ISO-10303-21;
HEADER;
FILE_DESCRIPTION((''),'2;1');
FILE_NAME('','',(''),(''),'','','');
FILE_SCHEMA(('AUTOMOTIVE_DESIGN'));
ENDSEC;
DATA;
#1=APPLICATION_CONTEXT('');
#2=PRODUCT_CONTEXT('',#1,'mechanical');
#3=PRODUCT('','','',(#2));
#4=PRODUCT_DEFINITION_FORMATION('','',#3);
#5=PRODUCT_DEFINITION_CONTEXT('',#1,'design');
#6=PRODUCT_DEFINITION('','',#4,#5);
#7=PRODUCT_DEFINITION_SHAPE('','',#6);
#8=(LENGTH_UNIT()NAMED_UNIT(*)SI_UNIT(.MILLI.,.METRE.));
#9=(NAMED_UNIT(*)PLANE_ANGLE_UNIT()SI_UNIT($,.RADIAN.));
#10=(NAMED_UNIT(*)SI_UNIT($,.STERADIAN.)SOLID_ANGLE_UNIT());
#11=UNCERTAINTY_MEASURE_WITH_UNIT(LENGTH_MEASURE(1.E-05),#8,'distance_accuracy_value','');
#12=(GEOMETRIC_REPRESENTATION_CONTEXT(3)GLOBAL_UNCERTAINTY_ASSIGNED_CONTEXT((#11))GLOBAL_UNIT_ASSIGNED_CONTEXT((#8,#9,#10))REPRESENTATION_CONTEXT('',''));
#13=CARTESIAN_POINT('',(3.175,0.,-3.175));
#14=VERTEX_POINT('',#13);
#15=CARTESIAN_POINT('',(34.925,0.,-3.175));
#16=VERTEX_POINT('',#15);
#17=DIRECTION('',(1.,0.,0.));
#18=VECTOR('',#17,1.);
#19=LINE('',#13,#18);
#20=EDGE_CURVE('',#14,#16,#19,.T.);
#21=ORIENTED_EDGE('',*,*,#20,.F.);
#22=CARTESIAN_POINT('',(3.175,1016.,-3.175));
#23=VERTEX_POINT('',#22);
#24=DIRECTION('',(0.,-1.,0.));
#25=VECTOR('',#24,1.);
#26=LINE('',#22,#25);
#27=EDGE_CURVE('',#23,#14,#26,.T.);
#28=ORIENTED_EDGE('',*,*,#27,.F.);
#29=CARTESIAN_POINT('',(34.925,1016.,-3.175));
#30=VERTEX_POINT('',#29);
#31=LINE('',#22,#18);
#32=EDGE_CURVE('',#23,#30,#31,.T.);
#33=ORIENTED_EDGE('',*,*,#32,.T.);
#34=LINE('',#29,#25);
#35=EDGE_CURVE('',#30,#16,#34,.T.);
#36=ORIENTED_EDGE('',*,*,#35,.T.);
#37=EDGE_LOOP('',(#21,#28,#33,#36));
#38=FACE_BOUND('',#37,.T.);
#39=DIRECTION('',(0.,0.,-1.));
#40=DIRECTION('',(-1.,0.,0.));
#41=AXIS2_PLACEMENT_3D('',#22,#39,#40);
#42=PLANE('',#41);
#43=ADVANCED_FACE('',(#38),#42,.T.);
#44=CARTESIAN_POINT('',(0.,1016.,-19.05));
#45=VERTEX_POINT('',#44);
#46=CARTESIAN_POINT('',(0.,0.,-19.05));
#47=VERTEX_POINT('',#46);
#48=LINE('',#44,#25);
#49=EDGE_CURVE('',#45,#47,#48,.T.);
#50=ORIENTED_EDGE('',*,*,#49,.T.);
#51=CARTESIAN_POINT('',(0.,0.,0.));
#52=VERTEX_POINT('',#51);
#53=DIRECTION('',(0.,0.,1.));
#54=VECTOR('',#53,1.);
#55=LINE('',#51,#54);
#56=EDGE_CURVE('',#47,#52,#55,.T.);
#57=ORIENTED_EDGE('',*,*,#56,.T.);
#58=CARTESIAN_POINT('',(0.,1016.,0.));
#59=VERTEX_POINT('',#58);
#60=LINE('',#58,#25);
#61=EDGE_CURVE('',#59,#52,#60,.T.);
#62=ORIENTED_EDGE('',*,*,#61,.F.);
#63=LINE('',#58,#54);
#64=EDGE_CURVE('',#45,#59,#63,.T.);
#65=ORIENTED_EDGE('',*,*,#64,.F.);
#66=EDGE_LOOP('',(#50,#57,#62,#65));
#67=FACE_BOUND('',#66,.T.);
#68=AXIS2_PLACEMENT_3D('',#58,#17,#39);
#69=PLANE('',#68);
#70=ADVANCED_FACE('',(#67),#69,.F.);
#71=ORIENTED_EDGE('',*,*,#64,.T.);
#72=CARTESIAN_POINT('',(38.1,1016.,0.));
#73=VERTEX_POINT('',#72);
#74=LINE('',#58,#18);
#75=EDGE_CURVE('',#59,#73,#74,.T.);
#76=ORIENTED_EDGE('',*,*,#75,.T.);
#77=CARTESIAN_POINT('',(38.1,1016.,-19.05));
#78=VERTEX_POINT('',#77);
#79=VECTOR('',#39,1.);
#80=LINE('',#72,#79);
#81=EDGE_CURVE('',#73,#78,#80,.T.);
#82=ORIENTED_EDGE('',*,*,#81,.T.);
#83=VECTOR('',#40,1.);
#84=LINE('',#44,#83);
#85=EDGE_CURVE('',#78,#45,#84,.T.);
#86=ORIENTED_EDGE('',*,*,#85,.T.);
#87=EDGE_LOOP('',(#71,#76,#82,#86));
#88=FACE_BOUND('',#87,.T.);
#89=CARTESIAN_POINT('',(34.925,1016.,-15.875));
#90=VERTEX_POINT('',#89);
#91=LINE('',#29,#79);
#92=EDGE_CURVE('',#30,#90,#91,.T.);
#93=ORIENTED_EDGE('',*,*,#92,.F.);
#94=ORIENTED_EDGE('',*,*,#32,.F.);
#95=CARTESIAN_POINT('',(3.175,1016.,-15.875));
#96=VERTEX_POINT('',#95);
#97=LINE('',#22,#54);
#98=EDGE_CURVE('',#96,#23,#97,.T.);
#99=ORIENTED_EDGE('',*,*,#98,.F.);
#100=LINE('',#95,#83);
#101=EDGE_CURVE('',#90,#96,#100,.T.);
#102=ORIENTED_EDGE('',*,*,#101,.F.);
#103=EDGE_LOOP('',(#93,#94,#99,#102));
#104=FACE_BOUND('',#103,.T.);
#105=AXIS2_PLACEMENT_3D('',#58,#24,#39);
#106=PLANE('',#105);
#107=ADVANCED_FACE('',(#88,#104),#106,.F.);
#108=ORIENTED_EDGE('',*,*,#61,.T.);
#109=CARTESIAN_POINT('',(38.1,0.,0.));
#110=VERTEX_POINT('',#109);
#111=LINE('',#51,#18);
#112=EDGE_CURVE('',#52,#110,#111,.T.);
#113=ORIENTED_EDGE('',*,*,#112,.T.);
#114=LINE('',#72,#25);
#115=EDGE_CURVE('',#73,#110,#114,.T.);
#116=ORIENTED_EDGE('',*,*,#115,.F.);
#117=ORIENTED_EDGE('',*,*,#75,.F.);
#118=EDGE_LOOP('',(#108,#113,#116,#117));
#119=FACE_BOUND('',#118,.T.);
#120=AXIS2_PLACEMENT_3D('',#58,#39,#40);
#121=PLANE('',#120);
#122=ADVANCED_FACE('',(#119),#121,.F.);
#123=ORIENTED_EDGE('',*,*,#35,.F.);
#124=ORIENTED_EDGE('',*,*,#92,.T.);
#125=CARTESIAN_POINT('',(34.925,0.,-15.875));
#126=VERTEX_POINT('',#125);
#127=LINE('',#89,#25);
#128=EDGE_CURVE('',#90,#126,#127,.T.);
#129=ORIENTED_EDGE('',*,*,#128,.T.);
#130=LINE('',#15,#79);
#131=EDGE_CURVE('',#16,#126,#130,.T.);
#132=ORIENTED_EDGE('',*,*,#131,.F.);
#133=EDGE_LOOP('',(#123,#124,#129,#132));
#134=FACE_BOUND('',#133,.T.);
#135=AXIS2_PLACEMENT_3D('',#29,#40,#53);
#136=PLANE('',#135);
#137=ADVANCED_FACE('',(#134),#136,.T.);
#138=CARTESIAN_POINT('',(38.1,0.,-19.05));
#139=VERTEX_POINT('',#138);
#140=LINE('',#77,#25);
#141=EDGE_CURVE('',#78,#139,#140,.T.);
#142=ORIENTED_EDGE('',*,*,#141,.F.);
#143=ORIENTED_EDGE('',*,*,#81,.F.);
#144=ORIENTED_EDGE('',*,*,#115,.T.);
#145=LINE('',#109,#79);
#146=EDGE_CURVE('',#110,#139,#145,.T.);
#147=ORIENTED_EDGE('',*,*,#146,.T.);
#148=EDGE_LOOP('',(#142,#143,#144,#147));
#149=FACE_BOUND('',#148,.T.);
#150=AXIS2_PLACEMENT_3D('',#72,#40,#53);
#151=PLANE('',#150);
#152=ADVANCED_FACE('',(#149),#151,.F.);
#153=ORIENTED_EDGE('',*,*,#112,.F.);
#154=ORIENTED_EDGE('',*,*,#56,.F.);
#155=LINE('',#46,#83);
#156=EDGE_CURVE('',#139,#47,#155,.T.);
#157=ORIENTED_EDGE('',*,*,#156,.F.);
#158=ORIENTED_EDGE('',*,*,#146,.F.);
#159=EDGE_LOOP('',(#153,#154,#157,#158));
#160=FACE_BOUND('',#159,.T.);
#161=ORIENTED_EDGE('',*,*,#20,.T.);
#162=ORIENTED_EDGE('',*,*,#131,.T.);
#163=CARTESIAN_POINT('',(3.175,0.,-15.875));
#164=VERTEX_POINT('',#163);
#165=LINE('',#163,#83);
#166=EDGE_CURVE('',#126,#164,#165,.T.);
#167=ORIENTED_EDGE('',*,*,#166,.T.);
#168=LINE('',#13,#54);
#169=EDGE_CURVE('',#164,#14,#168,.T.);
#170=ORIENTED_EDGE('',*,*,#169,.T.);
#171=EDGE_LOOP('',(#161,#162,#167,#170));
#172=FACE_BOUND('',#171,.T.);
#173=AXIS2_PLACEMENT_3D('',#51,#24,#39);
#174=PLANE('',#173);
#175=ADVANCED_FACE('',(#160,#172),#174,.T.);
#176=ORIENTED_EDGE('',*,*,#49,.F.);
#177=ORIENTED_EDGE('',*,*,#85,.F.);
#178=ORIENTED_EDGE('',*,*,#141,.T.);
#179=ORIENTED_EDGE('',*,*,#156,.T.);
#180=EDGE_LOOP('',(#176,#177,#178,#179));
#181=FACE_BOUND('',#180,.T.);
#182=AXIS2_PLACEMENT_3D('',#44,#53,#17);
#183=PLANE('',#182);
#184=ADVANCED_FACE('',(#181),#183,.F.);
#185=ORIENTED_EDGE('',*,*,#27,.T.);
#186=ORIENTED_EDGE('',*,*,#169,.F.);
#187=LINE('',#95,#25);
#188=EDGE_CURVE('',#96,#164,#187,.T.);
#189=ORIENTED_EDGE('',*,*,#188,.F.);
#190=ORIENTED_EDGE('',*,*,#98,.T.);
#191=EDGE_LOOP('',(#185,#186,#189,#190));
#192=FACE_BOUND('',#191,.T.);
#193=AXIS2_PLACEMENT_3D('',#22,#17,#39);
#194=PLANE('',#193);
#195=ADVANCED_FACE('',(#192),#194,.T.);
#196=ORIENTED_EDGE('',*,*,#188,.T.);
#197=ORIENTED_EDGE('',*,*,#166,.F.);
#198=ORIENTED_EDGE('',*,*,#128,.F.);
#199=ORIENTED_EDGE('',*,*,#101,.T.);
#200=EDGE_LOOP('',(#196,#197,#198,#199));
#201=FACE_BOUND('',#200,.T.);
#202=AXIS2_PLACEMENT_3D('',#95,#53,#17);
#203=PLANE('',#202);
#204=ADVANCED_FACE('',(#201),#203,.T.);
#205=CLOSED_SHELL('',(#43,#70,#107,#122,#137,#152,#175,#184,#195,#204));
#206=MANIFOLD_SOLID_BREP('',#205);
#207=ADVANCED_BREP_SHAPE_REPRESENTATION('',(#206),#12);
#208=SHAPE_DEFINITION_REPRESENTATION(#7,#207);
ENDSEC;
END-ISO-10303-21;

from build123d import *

# Parameters (mm, degrees)
SKETCH1_W           = 38.1
SKETCH1_H           = 19.05
SKETCH1_W_2         = 31.75
SKETCH1_H_2         = 12.7
BOSS_EXTRUDE1_DEPTH = 1016


with BuildPart() as part:
    # Sketch1 → Boss-Extrude1 (new body)
    with BuildSketch(Plane(origin=(0, 0, 0), x_dir=(1, 0, 0), z_dir=(0, 1, 0))):
        with Locations((19.05, 9.525)):
            Rectangle(SKETCH1_W, SKETCH1_H)
        with Locations((19.05, 9.525)):
            Rectangle(SKETCH1_W_2, SKETCH1_H_2, mode=Mode.SUBTRACT)
    extrude(amount=BOSS_EXTRUDE1_DEPTH)


solid = part.part
